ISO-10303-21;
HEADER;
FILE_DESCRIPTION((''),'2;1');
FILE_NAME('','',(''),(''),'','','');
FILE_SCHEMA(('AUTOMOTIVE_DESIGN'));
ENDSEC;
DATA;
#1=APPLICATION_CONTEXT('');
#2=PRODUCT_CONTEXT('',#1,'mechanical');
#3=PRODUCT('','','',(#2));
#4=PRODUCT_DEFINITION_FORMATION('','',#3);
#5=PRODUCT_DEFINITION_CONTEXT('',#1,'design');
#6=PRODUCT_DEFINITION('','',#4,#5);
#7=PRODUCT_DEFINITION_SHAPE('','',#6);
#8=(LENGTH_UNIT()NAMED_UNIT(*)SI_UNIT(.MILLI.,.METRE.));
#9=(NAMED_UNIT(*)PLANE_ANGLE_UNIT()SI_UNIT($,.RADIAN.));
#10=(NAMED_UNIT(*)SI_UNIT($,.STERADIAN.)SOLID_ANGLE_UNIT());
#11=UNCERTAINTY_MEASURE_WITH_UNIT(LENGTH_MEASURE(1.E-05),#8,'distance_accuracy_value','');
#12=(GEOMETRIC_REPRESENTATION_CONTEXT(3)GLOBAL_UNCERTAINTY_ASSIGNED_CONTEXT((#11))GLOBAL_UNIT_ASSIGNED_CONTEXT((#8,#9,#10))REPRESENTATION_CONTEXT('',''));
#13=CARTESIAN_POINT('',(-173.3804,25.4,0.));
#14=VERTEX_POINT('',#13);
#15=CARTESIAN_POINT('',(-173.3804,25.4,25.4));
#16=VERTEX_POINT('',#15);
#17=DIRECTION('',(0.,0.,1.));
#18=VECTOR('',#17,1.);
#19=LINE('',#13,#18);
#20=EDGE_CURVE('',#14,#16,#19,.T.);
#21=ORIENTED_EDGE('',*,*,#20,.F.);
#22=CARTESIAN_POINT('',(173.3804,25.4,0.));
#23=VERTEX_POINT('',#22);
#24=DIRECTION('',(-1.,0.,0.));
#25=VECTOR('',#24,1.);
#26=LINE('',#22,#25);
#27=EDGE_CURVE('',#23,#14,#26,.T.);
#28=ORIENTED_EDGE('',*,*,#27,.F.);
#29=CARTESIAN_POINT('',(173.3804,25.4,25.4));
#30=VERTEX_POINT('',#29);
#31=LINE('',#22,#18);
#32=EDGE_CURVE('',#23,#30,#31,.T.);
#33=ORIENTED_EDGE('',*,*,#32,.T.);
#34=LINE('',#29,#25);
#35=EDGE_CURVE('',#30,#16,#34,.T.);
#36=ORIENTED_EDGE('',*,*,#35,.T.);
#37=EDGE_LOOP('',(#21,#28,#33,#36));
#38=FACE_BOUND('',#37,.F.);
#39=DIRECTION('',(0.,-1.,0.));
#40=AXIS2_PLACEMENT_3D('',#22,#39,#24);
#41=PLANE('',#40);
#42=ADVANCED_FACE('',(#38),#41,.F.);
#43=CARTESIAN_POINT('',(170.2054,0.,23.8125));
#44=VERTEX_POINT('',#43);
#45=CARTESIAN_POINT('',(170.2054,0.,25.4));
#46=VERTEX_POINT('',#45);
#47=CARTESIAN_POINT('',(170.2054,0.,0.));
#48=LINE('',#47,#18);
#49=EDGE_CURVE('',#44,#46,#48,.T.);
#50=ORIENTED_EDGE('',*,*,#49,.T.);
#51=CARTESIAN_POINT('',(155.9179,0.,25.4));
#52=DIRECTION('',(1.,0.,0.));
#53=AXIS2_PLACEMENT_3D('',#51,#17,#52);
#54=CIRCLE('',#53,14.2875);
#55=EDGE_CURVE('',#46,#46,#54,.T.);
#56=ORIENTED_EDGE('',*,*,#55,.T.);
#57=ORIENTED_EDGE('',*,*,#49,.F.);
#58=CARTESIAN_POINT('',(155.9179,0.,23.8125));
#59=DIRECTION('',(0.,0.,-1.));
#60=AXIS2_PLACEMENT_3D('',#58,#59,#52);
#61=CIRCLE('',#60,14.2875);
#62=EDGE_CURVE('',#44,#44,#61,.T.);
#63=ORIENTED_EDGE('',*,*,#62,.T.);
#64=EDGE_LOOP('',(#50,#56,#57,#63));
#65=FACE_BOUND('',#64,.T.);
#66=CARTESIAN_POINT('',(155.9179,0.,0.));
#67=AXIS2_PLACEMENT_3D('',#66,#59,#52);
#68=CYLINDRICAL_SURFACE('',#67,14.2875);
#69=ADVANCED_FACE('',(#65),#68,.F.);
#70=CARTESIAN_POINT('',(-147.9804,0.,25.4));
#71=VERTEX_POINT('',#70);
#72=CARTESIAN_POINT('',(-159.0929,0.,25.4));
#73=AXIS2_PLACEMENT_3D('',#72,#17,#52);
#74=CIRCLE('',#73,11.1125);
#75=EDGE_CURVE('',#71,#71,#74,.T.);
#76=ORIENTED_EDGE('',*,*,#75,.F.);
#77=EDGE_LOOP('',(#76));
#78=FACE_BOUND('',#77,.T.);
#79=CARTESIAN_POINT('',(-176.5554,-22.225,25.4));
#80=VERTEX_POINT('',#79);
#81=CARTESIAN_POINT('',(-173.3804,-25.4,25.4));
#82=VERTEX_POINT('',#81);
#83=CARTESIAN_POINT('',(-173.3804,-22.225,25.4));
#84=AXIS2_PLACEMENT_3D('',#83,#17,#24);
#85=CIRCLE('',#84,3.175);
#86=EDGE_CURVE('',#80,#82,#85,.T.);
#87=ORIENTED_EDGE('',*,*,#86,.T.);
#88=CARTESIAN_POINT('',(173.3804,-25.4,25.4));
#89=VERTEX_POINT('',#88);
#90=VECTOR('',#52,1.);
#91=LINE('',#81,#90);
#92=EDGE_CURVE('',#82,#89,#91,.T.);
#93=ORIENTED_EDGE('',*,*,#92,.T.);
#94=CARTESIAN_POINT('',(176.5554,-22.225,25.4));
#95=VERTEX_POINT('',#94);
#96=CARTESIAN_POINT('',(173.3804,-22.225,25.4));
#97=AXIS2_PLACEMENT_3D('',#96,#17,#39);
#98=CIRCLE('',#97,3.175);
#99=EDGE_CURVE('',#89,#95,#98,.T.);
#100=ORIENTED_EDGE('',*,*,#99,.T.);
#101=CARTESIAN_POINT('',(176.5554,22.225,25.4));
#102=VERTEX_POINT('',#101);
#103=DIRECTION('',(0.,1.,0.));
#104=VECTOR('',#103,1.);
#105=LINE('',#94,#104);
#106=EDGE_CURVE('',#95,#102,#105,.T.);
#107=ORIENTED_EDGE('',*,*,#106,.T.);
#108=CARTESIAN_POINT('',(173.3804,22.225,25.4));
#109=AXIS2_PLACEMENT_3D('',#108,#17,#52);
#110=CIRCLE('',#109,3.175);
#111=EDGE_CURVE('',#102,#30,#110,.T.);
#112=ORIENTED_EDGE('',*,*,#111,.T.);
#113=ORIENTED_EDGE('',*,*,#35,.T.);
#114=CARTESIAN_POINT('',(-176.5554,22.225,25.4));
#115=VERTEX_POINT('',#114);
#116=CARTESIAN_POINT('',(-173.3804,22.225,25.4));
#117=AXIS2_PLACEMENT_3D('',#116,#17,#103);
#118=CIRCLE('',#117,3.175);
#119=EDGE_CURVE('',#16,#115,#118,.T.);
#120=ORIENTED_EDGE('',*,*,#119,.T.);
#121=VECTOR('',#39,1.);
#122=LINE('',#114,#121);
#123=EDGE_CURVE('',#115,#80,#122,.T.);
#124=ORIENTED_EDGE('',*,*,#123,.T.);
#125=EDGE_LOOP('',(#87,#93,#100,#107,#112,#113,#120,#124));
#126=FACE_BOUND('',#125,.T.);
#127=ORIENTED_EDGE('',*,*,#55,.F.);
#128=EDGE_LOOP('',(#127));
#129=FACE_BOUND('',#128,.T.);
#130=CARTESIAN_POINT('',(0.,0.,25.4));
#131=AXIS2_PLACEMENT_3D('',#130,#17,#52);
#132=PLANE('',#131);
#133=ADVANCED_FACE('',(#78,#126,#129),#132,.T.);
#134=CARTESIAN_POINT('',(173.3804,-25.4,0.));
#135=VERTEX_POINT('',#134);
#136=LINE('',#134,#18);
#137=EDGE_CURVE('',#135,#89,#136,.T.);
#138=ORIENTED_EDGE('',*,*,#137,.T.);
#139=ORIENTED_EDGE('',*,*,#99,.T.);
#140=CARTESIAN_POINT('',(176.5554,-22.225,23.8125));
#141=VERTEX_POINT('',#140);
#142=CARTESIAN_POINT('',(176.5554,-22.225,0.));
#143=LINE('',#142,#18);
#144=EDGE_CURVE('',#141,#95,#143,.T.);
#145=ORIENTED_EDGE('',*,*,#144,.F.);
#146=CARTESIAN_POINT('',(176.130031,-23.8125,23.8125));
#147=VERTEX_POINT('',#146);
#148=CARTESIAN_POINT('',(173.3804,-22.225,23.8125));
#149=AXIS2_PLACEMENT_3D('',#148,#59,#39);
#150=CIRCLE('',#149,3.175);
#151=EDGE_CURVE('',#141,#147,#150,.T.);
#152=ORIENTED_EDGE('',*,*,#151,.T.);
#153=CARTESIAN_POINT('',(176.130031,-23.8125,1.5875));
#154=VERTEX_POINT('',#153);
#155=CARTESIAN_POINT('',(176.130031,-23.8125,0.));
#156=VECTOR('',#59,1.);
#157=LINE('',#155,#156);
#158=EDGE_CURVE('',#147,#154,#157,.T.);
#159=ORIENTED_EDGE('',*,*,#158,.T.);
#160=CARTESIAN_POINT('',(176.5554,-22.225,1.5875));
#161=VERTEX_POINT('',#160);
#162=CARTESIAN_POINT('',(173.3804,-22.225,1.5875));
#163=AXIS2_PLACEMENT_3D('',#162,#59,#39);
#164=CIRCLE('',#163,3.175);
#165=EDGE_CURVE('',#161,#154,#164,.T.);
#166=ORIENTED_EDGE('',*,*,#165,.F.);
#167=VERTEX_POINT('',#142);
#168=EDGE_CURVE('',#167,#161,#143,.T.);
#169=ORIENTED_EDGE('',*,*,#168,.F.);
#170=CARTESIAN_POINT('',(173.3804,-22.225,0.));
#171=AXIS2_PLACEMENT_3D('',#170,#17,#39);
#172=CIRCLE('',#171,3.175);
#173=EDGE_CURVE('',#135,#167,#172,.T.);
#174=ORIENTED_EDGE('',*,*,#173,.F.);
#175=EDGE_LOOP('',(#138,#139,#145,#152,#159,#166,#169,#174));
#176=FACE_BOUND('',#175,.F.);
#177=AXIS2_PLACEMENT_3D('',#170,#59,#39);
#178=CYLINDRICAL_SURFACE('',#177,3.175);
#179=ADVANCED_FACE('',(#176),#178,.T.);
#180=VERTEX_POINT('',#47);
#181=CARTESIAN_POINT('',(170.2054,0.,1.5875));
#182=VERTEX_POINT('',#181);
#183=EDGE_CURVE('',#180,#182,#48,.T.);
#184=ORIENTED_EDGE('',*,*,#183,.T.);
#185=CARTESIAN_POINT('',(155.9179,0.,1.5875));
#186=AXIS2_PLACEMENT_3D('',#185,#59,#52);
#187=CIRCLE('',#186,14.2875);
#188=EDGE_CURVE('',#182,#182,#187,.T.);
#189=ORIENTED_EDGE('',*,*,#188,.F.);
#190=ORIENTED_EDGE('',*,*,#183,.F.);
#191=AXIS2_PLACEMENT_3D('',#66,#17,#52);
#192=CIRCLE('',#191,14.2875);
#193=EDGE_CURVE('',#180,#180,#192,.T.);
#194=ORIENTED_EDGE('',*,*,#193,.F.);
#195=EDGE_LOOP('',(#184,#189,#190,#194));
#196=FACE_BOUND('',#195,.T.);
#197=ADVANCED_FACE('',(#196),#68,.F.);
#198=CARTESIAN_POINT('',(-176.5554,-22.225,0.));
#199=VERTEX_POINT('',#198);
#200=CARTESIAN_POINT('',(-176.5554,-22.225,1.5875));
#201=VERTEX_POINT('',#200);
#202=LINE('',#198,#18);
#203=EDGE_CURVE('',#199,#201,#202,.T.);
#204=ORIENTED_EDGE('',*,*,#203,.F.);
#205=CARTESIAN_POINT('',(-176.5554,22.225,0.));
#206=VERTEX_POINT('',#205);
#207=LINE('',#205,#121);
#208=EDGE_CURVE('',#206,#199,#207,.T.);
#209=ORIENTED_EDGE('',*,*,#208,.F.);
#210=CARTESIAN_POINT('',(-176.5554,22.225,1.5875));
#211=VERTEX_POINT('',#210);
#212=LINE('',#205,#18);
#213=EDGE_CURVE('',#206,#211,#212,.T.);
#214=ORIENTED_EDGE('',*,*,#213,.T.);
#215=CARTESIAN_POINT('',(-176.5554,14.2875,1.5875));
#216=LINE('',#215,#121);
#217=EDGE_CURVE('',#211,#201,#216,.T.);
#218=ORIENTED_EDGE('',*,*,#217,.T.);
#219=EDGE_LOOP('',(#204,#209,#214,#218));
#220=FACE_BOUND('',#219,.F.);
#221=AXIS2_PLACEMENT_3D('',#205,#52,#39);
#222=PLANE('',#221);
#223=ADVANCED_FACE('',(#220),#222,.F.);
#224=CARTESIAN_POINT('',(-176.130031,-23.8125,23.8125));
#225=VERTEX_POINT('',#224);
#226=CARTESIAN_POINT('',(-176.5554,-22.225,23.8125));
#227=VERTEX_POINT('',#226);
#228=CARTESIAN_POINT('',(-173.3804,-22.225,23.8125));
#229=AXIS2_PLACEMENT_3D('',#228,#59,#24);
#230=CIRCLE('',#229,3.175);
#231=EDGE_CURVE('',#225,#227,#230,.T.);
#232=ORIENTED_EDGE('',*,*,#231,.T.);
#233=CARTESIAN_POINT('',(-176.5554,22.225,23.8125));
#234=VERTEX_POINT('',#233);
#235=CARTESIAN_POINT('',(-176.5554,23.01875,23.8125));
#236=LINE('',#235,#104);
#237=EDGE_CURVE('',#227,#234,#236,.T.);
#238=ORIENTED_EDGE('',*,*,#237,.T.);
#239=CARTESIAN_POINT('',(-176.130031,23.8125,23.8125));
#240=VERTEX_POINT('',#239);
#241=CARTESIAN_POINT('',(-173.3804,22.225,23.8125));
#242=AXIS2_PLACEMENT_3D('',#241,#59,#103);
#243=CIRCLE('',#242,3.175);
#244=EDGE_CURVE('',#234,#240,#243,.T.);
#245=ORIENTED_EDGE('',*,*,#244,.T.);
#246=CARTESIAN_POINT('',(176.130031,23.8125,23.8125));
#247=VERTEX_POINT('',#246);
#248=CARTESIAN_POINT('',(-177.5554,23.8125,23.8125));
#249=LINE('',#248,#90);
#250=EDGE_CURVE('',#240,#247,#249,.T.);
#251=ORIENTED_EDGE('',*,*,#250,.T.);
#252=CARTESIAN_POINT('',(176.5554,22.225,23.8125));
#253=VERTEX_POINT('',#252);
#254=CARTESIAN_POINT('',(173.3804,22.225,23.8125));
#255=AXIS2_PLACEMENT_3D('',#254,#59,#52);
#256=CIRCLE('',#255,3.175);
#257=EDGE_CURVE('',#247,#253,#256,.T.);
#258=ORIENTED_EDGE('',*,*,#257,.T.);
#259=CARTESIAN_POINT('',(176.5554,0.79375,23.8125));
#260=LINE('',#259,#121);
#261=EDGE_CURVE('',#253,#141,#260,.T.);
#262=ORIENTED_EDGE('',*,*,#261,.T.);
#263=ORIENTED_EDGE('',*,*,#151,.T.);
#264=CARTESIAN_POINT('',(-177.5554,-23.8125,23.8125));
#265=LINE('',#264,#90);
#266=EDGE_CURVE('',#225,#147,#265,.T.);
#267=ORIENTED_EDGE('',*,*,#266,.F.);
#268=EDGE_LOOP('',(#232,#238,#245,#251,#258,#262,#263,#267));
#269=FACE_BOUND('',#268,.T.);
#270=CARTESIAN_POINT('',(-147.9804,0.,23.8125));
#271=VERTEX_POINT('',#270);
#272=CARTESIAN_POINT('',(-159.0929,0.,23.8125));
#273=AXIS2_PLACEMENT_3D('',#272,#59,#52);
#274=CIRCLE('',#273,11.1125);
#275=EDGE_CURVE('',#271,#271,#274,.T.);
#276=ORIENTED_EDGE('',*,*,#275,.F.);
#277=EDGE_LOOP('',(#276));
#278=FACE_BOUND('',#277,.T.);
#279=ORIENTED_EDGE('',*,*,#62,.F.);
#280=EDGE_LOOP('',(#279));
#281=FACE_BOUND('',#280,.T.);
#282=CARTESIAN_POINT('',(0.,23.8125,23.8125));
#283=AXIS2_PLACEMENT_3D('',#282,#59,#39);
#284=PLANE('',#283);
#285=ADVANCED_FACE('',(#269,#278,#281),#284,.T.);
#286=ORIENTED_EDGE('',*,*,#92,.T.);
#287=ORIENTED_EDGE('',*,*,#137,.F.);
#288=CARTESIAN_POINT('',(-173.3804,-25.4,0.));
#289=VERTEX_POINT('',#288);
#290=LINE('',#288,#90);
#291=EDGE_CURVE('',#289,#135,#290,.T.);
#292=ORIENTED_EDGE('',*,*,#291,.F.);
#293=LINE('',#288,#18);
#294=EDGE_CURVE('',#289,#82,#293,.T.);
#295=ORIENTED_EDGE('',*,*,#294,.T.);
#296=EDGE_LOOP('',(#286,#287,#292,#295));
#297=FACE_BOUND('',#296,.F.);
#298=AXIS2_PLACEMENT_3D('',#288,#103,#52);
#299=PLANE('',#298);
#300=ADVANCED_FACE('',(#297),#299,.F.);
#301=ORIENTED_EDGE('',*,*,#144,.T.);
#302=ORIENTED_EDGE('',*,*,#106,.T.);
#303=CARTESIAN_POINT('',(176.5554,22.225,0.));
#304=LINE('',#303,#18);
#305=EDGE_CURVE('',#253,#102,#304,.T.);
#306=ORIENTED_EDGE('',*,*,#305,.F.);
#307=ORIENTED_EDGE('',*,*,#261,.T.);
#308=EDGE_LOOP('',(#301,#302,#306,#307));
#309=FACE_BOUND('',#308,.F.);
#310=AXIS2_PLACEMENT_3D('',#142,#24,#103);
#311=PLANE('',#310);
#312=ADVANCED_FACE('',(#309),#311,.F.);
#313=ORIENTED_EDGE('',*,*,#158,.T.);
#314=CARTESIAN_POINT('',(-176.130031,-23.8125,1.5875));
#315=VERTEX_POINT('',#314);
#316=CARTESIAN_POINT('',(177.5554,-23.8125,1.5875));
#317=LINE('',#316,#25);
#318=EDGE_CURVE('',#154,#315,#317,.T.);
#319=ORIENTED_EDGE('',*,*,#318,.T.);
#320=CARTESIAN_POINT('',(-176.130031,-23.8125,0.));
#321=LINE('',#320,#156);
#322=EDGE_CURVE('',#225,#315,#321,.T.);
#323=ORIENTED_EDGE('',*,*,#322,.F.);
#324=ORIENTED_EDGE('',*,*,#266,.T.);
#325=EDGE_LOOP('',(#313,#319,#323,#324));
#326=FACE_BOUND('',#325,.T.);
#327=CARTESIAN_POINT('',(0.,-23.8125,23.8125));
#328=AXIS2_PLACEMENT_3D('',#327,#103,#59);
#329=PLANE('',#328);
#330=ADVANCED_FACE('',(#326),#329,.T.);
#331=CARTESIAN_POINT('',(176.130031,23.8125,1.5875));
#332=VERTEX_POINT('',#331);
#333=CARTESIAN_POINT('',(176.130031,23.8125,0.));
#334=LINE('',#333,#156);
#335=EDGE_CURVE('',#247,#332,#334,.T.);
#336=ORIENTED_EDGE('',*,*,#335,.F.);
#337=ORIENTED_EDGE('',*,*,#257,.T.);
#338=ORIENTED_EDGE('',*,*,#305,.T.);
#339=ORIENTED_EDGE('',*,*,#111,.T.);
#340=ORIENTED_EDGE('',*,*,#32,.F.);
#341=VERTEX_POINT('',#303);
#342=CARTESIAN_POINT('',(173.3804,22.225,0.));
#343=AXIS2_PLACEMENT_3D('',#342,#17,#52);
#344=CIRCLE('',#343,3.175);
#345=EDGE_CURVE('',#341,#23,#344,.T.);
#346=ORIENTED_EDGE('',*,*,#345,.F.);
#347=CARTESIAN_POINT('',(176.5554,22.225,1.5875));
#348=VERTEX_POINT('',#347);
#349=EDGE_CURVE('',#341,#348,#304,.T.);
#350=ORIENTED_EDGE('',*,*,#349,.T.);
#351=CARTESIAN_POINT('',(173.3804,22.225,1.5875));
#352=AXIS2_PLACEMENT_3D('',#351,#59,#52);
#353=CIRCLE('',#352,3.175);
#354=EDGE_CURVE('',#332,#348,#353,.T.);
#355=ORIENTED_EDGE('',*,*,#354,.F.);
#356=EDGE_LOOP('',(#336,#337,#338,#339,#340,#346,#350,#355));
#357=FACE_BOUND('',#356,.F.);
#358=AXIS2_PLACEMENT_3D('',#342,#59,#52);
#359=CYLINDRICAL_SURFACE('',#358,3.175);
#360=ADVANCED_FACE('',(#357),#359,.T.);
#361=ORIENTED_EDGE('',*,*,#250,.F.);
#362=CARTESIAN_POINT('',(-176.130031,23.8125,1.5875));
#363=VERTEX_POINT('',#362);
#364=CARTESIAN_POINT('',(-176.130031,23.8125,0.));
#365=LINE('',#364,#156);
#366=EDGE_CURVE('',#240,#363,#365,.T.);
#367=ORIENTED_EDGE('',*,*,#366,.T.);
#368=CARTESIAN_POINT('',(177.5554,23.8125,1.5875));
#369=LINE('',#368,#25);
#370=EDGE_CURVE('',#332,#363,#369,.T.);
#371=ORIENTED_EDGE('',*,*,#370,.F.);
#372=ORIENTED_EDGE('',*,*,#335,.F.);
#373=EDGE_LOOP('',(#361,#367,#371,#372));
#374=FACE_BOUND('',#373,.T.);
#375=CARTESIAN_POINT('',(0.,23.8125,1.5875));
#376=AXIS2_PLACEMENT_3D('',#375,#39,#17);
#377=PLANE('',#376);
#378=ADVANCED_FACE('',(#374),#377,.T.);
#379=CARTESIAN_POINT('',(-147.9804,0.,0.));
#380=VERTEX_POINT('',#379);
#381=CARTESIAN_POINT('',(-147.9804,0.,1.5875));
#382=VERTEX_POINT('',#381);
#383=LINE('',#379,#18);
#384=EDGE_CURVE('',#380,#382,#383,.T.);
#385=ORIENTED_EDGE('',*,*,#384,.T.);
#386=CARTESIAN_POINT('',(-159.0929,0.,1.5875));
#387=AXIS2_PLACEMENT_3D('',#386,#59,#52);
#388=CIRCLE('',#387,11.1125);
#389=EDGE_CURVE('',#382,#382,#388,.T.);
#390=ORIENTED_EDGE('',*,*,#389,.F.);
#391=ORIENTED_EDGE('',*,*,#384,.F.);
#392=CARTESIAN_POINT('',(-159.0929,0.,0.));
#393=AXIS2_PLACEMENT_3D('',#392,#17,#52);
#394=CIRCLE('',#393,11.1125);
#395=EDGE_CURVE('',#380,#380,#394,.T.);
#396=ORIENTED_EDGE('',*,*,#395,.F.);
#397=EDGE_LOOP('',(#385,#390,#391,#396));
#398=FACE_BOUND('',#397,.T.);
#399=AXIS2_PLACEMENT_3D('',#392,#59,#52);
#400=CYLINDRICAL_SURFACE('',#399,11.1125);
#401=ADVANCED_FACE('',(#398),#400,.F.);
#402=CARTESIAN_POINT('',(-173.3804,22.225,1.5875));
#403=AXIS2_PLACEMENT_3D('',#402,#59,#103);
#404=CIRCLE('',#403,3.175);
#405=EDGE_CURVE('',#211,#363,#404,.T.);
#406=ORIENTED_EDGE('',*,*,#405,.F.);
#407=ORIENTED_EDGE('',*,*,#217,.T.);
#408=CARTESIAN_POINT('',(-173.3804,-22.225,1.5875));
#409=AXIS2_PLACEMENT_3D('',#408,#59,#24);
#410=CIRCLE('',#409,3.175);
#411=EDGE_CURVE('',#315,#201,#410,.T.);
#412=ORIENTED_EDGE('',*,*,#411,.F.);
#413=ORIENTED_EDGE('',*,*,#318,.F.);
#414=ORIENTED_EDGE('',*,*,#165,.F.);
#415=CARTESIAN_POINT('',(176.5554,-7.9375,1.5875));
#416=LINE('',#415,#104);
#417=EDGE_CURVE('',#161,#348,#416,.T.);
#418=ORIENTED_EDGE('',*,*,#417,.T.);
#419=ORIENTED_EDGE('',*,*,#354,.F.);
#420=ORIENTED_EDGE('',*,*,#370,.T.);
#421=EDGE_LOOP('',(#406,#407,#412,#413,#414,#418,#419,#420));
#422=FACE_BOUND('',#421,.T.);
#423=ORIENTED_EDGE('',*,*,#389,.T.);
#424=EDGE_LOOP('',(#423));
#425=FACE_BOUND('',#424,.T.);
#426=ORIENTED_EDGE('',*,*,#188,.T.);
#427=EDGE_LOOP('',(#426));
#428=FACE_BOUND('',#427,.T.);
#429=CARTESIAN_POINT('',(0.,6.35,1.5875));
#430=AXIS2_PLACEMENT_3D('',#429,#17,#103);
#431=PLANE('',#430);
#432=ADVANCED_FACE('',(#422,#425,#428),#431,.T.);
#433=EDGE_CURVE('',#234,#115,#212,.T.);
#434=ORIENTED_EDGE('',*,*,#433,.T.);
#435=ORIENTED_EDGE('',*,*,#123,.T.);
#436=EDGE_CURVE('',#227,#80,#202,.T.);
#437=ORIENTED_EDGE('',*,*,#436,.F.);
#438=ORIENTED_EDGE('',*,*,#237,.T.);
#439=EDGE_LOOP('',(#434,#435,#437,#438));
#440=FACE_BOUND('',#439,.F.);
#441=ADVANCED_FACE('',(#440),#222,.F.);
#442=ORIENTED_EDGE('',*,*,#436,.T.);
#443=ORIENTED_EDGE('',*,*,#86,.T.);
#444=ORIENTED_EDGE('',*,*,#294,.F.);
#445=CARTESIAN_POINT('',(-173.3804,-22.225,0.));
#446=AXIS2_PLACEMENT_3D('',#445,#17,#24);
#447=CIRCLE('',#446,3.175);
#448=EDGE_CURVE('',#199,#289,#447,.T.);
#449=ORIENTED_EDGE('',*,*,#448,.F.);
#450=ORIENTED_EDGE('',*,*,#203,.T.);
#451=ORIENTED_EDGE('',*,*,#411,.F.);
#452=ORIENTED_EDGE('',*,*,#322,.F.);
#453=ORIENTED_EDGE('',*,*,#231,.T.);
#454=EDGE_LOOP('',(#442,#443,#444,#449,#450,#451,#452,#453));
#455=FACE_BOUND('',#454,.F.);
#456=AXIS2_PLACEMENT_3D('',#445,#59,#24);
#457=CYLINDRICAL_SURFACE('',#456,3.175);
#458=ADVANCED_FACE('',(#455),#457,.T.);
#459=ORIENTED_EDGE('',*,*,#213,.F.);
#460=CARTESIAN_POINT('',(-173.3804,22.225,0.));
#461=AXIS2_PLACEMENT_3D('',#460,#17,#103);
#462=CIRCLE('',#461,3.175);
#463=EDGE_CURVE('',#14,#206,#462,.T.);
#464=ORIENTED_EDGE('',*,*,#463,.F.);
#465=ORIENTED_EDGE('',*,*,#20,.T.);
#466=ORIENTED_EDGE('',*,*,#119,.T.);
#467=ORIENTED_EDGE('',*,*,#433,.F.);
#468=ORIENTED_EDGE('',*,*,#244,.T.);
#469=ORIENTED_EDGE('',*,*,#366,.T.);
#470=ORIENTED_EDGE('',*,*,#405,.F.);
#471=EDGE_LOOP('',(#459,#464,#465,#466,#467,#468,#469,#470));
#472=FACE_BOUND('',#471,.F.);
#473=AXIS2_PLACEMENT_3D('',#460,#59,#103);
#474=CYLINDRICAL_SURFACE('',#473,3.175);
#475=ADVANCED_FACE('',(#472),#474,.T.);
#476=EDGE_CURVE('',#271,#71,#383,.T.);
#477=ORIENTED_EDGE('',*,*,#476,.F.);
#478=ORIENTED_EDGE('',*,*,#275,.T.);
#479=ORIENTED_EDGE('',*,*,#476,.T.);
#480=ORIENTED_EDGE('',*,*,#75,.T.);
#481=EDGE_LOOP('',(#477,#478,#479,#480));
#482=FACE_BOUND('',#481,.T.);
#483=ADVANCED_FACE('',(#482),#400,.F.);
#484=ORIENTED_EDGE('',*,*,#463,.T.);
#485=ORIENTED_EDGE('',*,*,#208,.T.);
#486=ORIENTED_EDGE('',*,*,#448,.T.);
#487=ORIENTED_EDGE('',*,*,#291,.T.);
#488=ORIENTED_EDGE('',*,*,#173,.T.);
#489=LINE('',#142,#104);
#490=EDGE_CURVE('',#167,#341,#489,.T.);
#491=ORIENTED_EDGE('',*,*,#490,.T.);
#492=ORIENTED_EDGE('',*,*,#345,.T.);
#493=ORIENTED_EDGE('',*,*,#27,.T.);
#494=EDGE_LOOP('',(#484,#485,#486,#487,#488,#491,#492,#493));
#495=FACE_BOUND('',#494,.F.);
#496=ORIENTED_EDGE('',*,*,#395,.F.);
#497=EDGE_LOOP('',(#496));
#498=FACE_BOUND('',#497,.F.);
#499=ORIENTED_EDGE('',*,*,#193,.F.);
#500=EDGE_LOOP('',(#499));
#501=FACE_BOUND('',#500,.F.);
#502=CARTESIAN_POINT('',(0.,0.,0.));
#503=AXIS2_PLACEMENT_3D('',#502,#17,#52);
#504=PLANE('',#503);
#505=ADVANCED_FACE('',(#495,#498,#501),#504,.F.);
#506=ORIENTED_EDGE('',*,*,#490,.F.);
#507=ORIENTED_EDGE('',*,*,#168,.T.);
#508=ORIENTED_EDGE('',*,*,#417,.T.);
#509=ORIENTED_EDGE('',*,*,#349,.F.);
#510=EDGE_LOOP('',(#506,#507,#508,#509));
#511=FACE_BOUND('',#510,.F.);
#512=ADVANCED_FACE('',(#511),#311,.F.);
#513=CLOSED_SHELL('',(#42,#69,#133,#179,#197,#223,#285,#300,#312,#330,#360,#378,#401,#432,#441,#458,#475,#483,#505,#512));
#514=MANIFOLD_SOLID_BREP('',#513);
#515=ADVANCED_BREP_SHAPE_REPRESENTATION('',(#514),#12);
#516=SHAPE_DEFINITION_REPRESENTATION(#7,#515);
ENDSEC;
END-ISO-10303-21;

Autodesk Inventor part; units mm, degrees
ref_plane "YZ Plane" through (0, 0, 0) normal (1, 0, 0) x (0, 1, 0)
ref_plane "XZ Plane" through (0, 0, 0) normal (0, 1, 0) x (-1, 0, 0)
ref_plane "XY Plane" through (0, 0, 0) normal (0, 0, 1) x (1, 0, 0)
sketch "Sketch1" plane through (0, 0, 0) normal (0, 0, 1) x (1, 0, 0)
  line L0 (-173.3804, -25.4) -> (173.3804, -25.4)
  line L1 (176.5554, -22.225) -> (176.5554, 22.225)
  line L2 (173.3804, 25.4) -> (-173.3804, 25.4)
  line L3 (-176.5554, 22.225) -> (-176.5554, -22.225)
  circle A0 centre (-159.0929, 0) radius 11.1125
  circle A1 centre (155.9179, 0) radius 14.2875
  arc A2 (-176.5554, -22.225) -> (-173.3804, -25.4) centre (-173.3804, -22.225) ccw
  arc A3 (173.3804, -25.4) -> (176.5554, -22.225) centre (173.3804, -22.225) ccw
  arc A4 (176.5554, 22.225) -> (173.3804, 25.4) centre (173.3804, 22.225) ccw
  arc A5 (-173.3804, 25.4) -> (-176.5554, 22.225) centre (-173.3804, 22.225) ccw
  point P0 (0, 0)
  point P1 (-176.5554, -25.4)
  point P2 (176.5554, 25.4)
  point P3 (176.5554, -25.4)
  point P4 (-176.5554, 25.4)
  point P5 (-176.5554, 0)
  point P6 (0, 25.4)
  dimension "d5" = 315.0108
  dimension "d6" = 22.225
  dimension "d7" = 20.6375
  dimension "d8" = 17.4625
  dimension "d9" = 50.8
  dimension "d11" = 3.175
  dimension "d16" = 28.575
extrude "Extrusion1" add sketch "Sketch1" along normal blind 25.4
sketch "Sketch2" plane through (0, 0, 0) normal (1, 0, 0) x (0, 1, 0)
  line L0 (25.4, 25.4) -> (22.225, 25.4) projected
  line L1 (-22.225, 25.4) -> (22.225, 25.4) projected
  line L2 (-22.225, 25.4) -> (-25.4, 25.4) projected
  line L3 (-25.4, 0) -> (-25.4, 25.4) projected
  line L4 (-22.225, 0) -> (-25.4, 0) projected
  line L5 (-22.225, 0) -> (22.225, 0) projected
  line L6 (25.4, 0) -> (22.225, 0) projected
  line L7 (25.4, 0) -> (25.4, 25.4) projected
  line L8 (23.8125, 23.8125) -> (6.35, 23.8125)
  line L9 (6.35, 23.8125) -> (-6.35, 23.8125)
  line L10 (-6.35, 23.8125) -> (-23.8125, 23.8125)
  line L11 (-23.8125, 23.8125) -> (-23.8125, 1.5875)
  line L12 (-23.8125, 1.5875) -> (-6.35, 1.5875)
  line L13 (-6.35, 1.5875) -> (6.35, 1.5875)
  line L14 (6.35, 1.5875) -> (23.8125, 1.5875)
  line L15 (23.8125, 1.5875) -> (23.8125, 23.8125)
  dimension "d15" = 1.5875
extrude "Extrusion2" cut sketch "Sketch2" along normal through all both and the other way through all contours L15 L14 L13 L12 L11 L10 L9 L8
properties part number "SideBar13v2" material "Aluminum 6061"
